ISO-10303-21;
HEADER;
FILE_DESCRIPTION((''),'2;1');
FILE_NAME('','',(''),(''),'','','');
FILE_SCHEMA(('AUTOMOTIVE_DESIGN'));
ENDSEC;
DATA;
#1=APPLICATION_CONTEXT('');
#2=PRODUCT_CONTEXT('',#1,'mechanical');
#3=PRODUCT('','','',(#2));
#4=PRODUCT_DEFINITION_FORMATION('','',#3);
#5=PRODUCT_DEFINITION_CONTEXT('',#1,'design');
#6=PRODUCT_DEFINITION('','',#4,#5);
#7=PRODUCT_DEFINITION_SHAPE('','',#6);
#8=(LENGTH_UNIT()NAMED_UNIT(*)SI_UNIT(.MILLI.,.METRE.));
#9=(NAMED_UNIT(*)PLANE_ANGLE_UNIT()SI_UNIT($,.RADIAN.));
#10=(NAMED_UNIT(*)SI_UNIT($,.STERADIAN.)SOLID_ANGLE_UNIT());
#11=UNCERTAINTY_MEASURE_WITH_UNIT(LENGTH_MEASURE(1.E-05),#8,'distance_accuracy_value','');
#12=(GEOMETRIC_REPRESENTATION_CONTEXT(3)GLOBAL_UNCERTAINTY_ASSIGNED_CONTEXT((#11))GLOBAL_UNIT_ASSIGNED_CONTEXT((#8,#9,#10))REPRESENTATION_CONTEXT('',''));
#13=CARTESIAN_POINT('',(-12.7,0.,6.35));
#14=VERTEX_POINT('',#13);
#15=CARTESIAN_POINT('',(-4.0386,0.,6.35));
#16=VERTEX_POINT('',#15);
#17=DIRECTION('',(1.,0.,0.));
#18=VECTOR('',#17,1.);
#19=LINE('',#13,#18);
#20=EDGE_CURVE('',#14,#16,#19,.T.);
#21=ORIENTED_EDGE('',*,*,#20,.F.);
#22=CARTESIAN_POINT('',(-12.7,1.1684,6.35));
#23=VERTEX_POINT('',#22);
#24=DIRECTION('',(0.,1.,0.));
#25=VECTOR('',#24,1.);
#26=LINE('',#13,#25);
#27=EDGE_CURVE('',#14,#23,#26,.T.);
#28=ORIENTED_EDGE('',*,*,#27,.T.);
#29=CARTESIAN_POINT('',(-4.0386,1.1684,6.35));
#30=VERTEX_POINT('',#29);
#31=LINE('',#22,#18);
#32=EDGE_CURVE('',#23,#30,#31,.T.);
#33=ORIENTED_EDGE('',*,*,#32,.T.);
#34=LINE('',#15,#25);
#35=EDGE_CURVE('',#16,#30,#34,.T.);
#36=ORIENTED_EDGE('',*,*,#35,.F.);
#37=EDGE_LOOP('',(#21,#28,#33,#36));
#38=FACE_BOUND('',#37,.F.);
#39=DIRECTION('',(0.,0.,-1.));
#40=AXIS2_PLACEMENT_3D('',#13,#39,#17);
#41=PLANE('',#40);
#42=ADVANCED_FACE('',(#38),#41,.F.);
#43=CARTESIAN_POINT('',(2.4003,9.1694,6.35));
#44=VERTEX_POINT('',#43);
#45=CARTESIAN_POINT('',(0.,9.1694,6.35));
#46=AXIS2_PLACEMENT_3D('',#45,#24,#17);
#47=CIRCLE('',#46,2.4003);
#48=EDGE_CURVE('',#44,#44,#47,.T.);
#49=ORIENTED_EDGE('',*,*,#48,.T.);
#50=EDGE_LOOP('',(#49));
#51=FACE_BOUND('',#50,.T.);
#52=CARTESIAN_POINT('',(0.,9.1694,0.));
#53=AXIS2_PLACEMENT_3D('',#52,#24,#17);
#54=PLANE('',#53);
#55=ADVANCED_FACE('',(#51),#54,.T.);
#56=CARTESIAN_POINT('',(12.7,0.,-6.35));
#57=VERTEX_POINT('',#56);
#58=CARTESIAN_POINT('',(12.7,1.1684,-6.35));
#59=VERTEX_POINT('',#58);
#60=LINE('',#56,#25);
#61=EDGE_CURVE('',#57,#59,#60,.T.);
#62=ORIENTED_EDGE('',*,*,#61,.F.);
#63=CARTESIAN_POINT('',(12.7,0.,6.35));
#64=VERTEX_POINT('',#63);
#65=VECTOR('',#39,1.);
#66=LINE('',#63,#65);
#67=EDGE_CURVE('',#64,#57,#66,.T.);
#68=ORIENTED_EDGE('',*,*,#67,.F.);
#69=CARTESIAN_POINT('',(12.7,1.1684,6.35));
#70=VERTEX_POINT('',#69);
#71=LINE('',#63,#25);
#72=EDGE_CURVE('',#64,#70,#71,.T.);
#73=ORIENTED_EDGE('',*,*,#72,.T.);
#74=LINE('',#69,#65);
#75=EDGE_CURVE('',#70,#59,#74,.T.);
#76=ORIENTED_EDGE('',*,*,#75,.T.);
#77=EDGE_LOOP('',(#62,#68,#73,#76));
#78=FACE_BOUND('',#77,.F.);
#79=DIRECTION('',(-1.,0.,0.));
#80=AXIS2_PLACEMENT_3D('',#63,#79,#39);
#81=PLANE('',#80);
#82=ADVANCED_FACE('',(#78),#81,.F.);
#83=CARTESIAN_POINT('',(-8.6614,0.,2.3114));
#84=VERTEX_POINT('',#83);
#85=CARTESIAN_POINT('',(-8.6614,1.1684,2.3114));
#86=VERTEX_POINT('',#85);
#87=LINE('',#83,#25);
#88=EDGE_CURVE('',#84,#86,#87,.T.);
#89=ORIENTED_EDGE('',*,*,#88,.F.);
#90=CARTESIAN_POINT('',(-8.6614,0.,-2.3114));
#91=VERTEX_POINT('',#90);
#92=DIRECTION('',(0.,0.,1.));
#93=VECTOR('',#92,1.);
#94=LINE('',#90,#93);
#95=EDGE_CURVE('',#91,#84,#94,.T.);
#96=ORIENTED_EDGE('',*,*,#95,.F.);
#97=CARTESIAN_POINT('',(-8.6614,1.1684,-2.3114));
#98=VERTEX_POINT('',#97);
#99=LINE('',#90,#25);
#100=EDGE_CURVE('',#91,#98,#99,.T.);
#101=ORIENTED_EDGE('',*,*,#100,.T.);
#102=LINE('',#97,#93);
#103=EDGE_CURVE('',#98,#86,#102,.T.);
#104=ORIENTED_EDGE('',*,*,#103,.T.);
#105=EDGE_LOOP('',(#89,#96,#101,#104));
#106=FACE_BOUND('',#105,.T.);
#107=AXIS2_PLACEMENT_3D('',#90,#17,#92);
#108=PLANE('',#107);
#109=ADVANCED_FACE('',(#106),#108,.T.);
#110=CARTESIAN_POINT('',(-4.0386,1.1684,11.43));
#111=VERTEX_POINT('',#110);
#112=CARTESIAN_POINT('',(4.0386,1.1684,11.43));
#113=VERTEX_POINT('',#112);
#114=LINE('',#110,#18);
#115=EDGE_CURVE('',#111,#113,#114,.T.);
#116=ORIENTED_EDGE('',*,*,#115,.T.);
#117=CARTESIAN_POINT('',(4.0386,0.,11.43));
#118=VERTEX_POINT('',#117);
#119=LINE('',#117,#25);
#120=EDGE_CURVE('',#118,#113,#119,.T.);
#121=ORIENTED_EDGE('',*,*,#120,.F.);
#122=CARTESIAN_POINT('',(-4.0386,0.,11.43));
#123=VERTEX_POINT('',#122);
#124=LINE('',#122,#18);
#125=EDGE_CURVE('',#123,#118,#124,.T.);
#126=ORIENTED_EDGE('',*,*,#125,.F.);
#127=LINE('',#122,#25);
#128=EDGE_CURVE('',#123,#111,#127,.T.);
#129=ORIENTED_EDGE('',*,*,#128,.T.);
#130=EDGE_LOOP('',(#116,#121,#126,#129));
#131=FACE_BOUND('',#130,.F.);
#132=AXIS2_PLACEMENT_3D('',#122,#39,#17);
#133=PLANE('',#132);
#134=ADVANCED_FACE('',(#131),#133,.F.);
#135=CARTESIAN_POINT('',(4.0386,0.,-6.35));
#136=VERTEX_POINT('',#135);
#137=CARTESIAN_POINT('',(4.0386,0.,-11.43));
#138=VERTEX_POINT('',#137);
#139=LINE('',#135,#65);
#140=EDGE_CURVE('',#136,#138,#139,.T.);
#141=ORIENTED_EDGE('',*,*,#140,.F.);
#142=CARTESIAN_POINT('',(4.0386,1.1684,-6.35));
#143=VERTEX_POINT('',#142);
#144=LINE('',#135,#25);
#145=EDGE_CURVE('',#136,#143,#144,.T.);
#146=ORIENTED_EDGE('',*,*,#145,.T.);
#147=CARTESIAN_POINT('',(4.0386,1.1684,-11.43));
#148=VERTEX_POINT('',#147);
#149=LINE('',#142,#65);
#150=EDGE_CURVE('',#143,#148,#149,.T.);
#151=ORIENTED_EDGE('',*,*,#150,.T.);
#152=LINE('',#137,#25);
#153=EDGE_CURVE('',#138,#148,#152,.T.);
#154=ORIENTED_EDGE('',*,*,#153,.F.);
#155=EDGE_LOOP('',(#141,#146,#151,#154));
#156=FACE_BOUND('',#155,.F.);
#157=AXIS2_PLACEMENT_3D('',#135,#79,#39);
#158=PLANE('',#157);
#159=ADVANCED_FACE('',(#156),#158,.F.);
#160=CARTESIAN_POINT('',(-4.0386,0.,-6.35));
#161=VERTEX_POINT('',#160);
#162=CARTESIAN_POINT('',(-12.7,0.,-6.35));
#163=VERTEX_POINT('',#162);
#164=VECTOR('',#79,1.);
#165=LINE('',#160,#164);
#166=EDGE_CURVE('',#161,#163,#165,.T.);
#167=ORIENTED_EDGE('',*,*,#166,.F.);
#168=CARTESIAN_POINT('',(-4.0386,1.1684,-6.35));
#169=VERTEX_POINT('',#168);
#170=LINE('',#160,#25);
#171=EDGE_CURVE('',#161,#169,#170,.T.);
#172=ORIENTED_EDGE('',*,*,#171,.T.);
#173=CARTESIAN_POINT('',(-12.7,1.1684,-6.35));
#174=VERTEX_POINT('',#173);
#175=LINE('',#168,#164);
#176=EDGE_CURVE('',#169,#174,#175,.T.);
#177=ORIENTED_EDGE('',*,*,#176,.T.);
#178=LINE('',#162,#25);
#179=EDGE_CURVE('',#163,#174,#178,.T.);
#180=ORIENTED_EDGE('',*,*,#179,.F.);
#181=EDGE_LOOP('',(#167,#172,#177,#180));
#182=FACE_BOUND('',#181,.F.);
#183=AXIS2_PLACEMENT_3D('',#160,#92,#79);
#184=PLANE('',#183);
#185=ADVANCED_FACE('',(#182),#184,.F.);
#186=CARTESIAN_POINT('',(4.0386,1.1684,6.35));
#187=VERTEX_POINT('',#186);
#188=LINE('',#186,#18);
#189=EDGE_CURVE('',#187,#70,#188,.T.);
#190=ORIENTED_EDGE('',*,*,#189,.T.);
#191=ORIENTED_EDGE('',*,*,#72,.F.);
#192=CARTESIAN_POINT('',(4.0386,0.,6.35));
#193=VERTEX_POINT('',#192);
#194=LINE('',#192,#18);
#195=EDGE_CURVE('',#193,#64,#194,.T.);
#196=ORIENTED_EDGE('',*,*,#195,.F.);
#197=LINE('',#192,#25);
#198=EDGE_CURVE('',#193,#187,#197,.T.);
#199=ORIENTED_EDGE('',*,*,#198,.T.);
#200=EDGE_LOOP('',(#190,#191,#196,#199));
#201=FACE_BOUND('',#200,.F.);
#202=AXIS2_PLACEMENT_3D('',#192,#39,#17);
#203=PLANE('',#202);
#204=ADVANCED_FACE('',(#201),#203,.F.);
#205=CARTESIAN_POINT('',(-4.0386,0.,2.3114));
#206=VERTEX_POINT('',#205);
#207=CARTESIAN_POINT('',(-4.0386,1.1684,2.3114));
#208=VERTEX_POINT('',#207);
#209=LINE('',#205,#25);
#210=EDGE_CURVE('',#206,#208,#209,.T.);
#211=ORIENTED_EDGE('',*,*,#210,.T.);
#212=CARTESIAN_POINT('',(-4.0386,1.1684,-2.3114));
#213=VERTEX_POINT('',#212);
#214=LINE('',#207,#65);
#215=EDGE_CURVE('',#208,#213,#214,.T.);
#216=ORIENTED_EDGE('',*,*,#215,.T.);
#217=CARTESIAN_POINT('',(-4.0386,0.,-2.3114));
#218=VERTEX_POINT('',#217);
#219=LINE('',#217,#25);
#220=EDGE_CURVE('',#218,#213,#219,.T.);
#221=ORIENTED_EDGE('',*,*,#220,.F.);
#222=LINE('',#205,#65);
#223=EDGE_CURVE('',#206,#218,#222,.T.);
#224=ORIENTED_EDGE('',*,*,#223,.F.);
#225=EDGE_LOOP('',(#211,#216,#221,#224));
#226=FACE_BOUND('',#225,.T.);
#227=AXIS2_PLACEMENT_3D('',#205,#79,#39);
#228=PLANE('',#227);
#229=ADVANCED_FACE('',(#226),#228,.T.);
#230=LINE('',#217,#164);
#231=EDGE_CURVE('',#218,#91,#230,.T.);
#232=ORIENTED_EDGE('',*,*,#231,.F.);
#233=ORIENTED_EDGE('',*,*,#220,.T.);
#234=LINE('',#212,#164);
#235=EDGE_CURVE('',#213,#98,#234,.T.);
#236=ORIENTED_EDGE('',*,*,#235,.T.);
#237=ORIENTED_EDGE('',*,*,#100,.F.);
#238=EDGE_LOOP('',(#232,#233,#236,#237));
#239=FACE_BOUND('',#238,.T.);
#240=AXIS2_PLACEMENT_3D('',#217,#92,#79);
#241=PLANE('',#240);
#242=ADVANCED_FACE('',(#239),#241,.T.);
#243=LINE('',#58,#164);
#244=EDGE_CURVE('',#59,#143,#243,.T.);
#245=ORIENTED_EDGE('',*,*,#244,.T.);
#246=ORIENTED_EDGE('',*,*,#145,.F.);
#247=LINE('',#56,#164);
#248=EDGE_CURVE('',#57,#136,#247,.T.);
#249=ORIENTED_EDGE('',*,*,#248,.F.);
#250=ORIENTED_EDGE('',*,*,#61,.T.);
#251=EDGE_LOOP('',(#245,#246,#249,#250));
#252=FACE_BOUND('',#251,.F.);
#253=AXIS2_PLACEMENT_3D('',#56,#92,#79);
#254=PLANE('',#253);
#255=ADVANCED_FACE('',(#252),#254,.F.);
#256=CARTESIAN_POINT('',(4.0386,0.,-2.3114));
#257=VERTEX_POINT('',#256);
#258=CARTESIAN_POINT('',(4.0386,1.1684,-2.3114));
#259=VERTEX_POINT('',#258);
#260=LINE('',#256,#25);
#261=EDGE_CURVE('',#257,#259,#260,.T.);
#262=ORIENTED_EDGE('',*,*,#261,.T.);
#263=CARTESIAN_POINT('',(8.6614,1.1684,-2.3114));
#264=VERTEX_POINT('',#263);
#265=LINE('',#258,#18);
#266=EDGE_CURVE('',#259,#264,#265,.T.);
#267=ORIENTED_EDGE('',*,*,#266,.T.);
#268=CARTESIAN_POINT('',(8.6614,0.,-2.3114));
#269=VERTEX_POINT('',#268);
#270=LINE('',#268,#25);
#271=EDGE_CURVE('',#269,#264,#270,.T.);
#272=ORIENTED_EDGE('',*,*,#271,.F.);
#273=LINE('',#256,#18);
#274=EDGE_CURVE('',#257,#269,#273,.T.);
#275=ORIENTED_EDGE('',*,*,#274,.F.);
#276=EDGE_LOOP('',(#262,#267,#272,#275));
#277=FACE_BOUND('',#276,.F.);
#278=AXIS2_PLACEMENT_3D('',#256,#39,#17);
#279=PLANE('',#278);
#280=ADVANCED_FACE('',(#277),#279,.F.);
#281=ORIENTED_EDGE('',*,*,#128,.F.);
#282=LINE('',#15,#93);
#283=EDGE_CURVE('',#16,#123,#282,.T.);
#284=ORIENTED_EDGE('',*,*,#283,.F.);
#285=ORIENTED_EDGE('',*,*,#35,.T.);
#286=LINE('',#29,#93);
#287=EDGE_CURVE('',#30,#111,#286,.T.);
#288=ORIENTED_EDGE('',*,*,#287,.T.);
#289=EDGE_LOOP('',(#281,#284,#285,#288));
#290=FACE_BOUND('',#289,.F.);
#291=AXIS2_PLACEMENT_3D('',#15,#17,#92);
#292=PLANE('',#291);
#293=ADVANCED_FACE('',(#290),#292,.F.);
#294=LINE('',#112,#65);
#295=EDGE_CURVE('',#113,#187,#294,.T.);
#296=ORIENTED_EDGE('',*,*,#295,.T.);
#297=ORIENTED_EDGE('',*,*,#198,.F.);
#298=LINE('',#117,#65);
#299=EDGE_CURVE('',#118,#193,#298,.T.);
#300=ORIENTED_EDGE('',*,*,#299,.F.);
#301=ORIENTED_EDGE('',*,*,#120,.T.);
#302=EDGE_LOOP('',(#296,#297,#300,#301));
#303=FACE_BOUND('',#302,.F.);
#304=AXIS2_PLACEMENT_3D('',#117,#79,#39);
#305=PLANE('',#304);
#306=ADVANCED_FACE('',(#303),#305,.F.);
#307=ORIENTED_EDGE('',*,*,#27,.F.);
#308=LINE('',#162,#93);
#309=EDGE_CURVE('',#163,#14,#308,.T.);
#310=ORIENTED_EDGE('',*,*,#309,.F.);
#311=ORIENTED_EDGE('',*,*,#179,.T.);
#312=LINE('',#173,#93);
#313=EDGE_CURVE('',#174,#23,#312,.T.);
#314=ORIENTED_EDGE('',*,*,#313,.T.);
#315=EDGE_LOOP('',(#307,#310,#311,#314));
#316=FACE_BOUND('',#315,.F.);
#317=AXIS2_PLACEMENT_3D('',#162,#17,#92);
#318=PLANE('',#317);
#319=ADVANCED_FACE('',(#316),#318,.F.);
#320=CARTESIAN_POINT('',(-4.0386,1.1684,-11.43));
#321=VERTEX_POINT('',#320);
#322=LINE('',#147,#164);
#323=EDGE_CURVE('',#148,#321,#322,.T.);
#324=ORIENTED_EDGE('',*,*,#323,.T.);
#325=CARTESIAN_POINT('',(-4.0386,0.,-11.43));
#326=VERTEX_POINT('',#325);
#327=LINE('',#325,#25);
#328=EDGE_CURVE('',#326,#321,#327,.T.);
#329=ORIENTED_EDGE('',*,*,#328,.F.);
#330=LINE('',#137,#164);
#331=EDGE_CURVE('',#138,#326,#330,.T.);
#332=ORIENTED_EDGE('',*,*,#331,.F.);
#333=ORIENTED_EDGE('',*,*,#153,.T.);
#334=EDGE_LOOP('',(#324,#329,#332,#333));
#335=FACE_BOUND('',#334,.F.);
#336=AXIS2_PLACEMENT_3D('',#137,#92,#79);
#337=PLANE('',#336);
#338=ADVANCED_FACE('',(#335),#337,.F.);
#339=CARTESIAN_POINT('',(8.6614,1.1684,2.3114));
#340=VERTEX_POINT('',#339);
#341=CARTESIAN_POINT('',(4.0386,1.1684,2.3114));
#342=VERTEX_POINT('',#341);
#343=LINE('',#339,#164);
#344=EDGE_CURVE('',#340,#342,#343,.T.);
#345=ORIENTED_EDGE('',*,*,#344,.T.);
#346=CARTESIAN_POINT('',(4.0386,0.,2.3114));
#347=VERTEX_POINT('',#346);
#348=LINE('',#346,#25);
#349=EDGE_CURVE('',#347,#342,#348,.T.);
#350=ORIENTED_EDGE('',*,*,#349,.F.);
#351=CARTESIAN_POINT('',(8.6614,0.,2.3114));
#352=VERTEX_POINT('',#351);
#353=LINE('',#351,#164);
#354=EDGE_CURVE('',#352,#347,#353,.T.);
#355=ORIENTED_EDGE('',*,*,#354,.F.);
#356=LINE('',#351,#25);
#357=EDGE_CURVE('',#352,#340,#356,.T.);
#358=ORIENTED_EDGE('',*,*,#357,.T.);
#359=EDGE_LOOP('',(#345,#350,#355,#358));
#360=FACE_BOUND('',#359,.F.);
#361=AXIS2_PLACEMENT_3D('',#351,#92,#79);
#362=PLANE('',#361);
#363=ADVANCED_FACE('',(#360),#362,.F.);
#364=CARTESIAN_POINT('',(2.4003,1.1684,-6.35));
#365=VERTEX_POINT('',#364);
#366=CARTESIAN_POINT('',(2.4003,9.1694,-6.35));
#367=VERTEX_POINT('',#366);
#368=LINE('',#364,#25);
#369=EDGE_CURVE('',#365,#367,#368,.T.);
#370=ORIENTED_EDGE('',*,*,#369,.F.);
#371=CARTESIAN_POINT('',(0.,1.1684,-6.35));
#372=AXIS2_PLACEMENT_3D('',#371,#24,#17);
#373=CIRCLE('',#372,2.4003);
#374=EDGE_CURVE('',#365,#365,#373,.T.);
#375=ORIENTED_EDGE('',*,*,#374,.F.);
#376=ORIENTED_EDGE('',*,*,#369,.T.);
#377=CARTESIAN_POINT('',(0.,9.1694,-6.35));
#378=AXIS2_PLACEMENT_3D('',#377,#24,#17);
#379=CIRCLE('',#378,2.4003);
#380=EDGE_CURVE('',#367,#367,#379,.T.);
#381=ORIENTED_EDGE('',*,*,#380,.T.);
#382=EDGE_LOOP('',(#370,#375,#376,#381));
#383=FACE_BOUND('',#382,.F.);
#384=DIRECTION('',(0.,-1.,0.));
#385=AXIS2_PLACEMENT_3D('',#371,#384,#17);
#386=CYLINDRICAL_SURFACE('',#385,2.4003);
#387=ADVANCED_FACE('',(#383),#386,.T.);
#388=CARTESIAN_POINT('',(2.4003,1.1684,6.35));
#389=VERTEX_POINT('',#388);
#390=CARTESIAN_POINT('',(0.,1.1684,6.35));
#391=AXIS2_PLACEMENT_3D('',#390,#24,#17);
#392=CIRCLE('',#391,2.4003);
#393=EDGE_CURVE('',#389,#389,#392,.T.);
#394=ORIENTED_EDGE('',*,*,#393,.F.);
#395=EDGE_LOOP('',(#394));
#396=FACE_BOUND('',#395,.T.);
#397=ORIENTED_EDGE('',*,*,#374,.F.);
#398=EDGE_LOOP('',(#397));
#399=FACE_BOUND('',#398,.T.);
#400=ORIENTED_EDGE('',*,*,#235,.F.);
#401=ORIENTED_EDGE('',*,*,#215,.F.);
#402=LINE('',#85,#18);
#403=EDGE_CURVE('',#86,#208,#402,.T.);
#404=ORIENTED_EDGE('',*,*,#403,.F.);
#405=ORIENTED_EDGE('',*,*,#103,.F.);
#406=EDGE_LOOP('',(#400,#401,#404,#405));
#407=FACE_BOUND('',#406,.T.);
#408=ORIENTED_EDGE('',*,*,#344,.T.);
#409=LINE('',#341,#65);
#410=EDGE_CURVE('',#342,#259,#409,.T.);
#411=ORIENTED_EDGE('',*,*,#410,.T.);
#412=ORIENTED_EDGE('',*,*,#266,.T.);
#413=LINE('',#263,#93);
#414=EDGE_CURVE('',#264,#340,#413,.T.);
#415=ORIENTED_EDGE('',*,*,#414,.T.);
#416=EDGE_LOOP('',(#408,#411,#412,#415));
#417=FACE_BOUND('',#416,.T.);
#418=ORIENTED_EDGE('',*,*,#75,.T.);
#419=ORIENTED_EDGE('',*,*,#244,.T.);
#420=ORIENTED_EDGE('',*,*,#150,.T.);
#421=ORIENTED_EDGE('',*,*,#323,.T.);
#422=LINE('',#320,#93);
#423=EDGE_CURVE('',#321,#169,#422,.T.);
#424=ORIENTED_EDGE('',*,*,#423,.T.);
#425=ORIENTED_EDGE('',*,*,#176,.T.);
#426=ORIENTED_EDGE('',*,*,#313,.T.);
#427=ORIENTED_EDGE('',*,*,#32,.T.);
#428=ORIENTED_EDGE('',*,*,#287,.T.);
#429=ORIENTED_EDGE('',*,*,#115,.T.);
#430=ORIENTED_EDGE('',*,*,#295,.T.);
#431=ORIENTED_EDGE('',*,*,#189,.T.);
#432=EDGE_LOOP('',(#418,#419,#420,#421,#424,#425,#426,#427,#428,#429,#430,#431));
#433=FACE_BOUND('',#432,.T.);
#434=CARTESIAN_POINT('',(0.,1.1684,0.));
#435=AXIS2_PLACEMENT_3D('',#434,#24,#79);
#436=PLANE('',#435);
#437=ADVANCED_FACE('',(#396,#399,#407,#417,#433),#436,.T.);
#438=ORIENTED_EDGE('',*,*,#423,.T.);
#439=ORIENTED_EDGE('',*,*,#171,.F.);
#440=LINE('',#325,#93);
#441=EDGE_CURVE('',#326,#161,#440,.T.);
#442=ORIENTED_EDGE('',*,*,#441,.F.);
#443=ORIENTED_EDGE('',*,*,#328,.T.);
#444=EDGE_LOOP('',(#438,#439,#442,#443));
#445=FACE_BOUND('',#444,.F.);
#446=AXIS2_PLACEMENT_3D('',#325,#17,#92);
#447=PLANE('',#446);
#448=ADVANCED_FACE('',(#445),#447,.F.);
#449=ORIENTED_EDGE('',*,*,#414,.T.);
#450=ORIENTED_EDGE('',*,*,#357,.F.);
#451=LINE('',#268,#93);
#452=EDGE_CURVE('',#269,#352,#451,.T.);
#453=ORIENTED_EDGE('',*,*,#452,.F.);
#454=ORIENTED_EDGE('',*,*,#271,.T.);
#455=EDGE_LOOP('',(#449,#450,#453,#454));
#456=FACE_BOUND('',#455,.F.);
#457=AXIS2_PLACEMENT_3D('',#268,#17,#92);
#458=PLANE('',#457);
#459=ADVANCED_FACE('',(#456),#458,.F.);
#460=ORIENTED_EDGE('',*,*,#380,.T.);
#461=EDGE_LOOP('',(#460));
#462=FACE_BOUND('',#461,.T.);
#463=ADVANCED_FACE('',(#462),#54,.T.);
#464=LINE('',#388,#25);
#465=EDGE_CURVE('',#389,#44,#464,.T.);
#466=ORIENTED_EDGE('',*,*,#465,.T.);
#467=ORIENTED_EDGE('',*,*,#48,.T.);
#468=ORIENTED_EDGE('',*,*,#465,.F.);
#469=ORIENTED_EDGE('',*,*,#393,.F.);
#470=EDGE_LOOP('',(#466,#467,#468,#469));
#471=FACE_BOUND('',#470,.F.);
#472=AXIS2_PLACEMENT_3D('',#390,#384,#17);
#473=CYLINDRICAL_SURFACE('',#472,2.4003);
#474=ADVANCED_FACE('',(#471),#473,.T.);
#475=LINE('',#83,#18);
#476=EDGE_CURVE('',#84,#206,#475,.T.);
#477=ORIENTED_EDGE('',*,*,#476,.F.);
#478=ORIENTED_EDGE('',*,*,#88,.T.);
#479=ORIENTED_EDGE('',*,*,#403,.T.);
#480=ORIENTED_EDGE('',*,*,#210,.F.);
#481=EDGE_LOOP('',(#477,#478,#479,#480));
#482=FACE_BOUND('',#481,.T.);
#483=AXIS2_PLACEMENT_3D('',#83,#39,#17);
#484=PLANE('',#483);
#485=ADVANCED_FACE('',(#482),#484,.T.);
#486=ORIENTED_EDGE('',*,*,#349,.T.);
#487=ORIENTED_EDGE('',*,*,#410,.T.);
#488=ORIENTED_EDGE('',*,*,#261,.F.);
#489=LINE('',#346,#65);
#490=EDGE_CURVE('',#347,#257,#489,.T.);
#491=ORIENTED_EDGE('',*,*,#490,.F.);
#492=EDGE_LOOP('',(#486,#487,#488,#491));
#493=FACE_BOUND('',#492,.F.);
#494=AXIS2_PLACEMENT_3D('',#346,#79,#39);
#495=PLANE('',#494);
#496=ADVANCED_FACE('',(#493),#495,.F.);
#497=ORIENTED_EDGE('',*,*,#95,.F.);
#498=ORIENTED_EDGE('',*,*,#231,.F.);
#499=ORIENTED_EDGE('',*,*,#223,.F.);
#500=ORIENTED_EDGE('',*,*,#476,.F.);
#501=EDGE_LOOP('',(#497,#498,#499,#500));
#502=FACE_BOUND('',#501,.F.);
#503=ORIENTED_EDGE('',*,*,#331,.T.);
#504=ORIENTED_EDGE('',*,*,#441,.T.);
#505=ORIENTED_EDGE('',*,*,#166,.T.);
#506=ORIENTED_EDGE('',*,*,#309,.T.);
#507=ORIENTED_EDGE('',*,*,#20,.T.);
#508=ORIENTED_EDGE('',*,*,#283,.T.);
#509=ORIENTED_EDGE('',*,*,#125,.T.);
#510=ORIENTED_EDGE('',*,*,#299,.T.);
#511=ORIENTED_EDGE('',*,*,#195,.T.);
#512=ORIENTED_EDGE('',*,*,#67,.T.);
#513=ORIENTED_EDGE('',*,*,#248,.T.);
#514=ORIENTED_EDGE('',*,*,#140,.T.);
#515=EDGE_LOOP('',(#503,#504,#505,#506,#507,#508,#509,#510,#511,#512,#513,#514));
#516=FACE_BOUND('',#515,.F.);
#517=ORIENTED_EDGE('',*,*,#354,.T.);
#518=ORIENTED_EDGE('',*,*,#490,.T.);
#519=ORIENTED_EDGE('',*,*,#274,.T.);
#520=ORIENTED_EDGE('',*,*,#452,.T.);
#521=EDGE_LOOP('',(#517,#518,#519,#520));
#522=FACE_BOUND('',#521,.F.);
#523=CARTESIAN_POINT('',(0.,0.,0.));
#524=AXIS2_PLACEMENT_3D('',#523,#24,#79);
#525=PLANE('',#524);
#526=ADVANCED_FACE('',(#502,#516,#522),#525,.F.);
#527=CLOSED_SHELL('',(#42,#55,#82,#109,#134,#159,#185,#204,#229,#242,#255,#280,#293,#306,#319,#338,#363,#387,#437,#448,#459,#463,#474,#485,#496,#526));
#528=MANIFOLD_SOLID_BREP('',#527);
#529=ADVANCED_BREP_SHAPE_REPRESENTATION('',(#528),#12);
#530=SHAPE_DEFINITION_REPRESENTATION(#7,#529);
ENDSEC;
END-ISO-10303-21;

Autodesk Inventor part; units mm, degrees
ref_plane "YZ Plane" through (0, 0, 0) normal (1, 0, 0) x (0, 1, 0)
ref_plane "XZ Plane" through (0, 0, 0) normal (0, 1, 0) x (-1, 0, 0)
ref_plane "XY Plane" through (0, 0, 0) normal (0, 0, 1) x (1, 0, 0)
sketch "Sketch7" plane through (0, 0, 0) normal (0, 1, 0) x (-1, 0, 0)
  line L0 (12.7, 6.35) -> (4.0386, 6.35)
  line L1 (-12.7, 6.35) -> (-12.7, -6.35)
  line L2 (-12.7, -6.35) -> (-4.0386, -6.35)
  line L3 (12.7, -6.35) -> (12.7, 6.35)
  line L4 (12.7, 6.35) -> (-12.7, -6.35) construction
  line L5 (-12.7, 6.35) -> (12.7, -6.35) construction
  line L6 (8.6614, 2.3114) -> (4.0386, 2.3114)
  line L7 (4.0386, 2.3114) -> (4.0386, -2.3114)
  line L8 (4.0386, -2.3114) -> (8.6614, -2.3114)
  line L9 (8.6614, -2.3114) -> (8.6614, 2.3114)
  line L10 (8.6614, 2.3114) -> (4.0386, -2.3114) construction
  line L11 (4.0386, 2.3114) -> (8.6614, -2.3114) construction
  line L12 (-8.6614, 2.3114) -> (-4.0386, 2.3114)
  line L13 (-4.0386, 2.3114) -> (-4.0386, -2.3114)
  line L14 (-4.0386, -2.3114) -> (-8.6614, -2.3114)
  line L15 (-8.6614, -2.3114) -> (-8.6614, 2.3114)
  line L16 (-8.6614, 2.3114) -> (-4.0386, -2.3114) construction
  line L17 (-4.0386, 2.3114) -> (-8.6614, -2.3114) construction
  line L18 (4.0386, 6.35) -> (4.0386, 11.43)
  line L19 (4.0386, 11.43) -> (-4.0386, 11.43)
  line L20 (-4.0386, 11.43) -> (-4.0386, 6.35)
  line L21 (-4.0386, -6.35) -> (-4.0386, -11.43)
  line L22 (-4.0386, -11.43) -> (4.0386, -11.43)
  line L23 (4.0386, -11.43) -> (4.0386, -6.35)
  line L24 (-4.0386, 6.35) -> (-12.7, 6.35)
  line L25 (4.0386, -6.35) -> (12.7, -6.35)
  point P0 (0, 0)
  point P1 (6.35, 0)
  point P2 (-6.35, 0)
  dimension "d29" = 25.4
  dimension "d30" = 12.7
  dimension "d31" = 4.6228
  dimension "d32" = 4.6228
  dimension "d33" = 4.6228
  dimension "d34" = 4.6228
  dimension "d35" = 12.7
  dimension "d36" = 6.35
  dimension "d37" = 5.08
  dimension "d40" = 5.08
extrude "Extrusion2" add sketch "Sketch7" along normal blind 1.1684
sketch "Sketch8" plane through (0, 1.1684, 0) normal (0, 1, 0) x (1, 0, 0)
  circle A0 centre (0, -6.35) radius 2.4003
  point P0 (0, 0)
  dimension "d47" = 4.8006
  dimension "d49" = 6.35
sketch "Sketch9" plane through (0, 1.1684, 0) normal (0, 1, 0) x (1, 0, 0)
  circle A0 centre (0, 6.35) radius 2.4003
  point P0 (0, 0)
  dimension "d51" = 4.8006
  dimension "d52" = 6.35
extrude "Extrusion3" add sketch "Sketch8" along normal blind 8.001
extrude "Extrusion4" add sketch "Sketch9" along normal blind 8.001
properties part number "VexLegoWidget"
